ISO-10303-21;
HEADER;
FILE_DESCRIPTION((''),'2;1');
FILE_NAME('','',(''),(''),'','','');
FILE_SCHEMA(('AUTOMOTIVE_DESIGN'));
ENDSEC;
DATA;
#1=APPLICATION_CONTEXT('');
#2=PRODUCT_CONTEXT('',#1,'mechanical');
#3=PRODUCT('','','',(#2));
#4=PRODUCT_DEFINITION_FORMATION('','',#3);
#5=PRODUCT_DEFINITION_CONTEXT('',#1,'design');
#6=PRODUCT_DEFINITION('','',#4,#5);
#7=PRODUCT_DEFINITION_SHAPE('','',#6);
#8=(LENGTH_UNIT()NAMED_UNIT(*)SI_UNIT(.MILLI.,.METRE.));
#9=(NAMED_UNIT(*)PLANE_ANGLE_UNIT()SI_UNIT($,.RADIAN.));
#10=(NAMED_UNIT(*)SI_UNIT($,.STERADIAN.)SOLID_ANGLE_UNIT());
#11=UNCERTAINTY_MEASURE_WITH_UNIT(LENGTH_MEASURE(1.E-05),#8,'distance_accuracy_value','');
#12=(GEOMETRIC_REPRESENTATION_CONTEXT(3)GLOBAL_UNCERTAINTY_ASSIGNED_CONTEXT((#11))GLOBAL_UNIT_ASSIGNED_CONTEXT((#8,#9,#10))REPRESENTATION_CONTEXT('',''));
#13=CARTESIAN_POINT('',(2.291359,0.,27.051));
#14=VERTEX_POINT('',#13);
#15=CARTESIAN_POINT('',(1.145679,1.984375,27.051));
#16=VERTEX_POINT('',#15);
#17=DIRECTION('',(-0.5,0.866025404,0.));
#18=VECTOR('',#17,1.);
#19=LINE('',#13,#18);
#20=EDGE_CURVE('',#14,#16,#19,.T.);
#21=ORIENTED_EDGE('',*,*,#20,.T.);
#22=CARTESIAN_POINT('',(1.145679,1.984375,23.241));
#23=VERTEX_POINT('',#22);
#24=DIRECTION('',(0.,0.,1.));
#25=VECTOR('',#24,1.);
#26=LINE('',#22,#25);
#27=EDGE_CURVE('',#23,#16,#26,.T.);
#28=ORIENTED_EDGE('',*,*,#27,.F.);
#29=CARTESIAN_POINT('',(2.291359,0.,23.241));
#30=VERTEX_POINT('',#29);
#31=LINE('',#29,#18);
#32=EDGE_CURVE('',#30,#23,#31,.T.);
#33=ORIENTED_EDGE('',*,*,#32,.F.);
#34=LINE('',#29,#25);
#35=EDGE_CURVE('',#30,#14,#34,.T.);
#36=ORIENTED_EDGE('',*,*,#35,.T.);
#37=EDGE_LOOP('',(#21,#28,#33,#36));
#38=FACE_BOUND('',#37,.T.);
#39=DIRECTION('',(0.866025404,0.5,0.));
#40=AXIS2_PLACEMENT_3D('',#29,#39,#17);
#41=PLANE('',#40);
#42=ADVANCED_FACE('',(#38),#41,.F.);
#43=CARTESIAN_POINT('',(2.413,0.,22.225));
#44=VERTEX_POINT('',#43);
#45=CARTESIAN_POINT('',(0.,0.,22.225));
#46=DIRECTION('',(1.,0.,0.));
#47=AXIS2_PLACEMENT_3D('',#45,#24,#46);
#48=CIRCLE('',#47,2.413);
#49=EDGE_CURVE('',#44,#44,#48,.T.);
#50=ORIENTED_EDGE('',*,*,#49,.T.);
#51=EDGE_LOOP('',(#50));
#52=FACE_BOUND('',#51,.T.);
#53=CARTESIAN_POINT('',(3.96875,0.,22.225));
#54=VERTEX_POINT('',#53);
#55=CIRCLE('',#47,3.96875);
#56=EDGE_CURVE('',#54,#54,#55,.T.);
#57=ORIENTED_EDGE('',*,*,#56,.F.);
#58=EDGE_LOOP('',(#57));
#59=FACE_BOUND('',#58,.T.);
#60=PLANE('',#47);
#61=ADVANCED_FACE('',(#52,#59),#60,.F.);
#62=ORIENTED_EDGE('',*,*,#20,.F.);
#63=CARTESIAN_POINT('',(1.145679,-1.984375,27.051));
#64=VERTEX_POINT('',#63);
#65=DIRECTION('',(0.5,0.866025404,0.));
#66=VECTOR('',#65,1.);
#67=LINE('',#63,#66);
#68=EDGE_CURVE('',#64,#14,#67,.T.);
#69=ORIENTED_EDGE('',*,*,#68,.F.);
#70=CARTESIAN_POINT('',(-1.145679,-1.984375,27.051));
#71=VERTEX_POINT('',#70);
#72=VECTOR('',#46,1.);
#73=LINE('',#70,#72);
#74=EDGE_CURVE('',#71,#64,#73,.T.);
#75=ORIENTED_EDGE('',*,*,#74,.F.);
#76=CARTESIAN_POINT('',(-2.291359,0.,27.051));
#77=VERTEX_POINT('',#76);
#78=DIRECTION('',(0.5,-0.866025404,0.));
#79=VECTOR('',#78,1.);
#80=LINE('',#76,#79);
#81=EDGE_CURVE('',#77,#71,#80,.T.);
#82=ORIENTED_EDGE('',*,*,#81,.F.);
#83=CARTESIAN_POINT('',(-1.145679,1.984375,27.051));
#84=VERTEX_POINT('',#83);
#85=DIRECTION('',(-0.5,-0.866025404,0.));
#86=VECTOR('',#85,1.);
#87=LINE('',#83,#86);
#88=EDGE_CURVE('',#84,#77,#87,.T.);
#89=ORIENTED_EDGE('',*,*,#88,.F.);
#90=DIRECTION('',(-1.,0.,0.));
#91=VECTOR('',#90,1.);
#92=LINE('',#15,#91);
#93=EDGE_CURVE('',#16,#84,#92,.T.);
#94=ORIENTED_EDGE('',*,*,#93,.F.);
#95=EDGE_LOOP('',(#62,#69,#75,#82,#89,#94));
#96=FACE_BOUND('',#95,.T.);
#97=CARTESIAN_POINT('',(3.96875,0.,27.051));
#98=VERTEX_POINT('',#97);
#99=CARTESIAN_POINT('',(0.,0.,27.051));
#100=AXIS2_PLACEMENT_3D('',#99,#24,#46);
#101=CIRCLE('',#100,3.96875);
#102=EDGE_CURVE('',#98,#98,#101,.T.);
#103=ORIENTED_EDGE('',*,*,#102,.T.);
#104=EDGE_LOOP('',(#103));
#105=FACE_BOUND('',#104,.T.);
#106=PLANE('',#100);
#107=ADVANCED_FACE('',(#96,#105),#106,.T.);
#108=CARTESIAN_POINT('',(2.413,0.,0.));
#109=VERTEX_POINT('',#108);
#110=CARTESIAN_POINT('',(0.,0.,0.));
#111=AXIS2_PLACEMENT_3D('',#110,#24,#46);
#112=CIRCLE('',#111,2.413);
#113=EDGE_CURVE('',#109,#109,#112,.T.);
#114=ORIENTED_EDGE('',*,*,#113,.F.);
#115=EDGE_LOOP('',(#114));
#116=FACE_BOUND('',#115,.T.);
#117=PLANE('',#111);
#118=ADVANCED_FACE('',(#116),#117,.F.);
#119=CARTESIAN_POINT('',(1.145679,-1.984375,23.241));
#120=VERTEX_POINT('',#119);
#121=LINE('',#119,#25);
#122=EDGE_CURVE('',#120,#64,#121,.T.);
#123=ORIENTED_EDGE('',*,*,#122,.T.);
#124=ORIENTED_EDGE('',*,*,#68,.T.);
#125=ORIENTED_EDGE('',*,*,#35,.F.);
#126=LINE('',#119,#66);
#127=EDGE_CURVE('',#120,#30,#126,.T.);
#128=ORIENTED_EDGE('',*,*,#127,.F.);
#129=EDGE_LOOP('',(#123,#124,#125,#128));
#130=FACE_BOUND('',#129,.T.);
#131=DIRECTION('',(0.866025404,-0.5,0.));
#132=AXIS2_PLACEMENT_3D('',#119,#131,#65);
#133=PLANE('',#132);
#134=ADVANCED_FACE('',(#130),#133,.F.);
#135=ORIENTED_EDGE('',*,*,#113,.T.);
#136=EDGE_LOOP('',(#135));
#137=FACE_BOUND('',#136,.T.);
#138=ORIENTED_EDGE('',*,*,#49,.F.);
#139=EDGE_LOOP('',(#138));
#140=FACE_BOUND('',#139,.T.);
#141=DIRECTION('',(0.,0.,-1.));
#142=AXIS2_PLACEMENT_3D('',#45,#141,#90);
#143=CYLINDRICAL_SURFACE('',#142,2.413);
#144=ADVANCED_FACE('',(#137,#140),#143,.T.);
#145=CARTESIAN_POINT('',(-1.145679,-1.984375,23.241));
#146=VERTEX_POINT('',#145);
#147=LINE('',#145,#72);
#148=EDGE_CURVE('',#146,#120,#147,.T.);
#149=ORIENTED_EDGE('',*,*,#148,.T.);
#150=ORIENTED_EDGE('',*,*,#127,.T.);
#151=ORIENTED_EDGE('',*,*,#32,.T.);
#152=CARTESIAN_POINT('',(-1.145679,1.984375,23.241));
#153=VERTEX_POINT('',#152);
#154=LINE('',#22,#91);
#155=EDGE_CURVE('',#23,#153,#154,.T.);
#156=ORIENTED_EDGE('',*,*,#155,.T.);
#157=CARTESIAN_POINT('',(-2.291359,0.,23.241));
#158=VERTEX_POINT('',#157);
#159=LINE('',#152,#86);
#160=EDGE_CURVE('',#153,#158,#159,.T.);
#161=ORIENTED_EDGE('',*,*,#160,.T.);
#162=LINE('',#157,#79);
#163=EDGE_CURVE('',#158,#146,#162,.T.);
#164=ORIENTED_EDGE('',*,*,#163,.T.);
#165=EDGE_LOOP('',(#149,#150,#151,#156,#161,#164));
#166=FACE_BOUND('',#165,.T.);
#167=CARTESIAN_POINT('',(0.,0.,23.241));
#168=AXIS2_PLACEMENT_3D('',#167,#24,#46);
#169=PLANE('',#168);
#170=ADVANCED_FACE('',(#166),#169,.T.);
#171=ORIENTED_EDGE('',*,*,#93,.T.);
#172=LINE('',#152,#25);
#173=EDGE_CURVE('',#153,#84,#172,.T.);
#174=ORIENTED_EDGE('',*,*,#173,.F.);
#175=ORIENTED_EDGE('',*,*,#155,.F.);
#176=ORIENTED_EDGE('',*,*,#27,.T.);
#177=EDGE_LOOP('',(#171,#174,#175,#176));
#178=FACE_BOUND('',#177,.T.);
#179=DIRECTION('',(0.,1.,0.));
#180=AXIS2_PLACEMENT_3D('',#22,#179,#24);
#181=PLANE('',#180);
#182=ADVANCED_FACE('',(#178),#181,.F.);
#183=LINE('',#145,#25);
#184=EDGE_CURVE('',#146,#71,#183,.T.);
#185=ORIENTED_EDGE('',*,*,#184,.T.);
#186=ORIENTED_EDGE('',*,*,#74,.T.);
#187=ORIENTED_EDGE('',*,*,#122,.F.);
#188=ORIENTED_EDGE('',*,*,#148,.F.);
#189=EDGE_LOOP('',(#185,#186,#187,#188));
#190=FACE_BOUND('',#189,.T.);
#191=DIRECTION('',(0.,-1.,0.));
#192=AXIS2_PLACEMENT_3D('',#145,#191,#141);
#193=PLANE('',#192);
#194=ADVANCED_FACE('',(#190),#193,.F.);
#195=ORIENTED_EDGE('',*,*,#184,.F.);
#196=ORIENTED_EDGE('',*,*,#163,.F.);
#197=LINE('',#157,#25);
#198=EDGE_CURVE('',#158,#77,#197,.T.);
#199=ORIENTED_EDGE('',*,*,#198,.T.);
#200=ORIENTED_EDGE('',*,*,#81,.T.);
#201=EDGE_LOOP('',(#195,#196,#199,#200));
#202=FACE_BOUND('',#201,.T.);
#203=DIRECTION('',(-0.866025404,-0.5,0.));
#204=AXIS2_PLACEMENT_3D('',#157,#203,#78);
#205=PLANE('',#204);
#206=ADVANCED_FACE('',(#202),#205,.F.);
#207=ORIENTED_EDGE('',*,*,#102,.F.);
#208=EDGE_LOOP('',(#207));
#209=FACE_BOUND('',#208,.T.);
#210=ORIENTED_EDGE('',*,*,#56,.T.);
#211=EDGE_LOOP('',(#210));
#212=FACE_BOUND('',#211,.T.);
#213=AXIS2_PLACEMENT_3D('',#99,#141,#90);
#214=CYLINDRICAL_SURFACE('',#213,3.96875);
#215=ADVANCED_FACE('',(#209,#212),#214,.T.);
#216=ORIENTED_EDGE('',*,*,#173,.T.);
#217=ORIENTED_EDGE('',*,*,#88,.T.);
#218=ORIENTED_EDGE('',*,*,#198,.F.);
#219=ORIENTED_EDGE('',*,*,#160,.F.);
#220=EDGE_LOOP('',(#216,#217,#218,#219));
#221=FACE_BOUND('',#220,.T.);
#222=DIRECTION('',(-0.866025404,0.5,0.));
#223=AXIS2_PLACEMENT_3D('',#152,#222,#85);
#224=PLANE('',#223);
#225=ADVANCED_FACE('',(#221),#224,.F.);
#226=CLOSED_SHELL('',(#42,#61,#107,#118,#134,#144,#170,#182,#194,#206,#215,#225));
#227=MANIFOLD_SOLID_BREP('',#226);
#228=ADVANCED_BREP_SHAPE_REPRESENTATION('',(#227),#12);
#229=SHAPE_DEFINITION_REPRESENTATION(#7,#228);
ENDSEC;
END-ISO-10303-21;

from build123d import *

# Parameters (mm, degrees)
SKETCH1_R           = 2.413
BOSS_EXTRUDE1_DEPTH = 22.225
SKETCH2_R           = 3.96875
BOSS_EXTRUDE2_DEPTH = 4.826
CUT_EXTRUDE1_DEPTH  = 3.81


with BuildPart() as part:
    # Sketch1 → Boss-Extrude1 (new body)
    with BuildSketch(Plane.XY):
        Circle(SKETCH1_R)
    extrude(amount=BOSS_EXTRUDE1_DEPTH)

    # Sketch2 → Boss-Extrude2 (add)
    with BuildSketch(Plane.XY.offset(22.225)):
        Circle(SKETCH2_R)
    extrude(amount=BOSS_EXTRUDE2_DEPTH)

    # Sketch3 → Cut-Extrude1 (cut)
    with BuildSketch(Plane.XY.offset(27.051)):
        Polygon((2.291358881, 0), (1.14567944, 1.984375), (-1.14567944, 1.984375), (-2.291358881, 0), (-1.14567944, -1.984375), (1.14567944, -1.984375), align=None)
    extrude(amount=-CUT_EXTRUDE1_DEPTH, mode=Mode.SUBTRACT)


solid = part.part
